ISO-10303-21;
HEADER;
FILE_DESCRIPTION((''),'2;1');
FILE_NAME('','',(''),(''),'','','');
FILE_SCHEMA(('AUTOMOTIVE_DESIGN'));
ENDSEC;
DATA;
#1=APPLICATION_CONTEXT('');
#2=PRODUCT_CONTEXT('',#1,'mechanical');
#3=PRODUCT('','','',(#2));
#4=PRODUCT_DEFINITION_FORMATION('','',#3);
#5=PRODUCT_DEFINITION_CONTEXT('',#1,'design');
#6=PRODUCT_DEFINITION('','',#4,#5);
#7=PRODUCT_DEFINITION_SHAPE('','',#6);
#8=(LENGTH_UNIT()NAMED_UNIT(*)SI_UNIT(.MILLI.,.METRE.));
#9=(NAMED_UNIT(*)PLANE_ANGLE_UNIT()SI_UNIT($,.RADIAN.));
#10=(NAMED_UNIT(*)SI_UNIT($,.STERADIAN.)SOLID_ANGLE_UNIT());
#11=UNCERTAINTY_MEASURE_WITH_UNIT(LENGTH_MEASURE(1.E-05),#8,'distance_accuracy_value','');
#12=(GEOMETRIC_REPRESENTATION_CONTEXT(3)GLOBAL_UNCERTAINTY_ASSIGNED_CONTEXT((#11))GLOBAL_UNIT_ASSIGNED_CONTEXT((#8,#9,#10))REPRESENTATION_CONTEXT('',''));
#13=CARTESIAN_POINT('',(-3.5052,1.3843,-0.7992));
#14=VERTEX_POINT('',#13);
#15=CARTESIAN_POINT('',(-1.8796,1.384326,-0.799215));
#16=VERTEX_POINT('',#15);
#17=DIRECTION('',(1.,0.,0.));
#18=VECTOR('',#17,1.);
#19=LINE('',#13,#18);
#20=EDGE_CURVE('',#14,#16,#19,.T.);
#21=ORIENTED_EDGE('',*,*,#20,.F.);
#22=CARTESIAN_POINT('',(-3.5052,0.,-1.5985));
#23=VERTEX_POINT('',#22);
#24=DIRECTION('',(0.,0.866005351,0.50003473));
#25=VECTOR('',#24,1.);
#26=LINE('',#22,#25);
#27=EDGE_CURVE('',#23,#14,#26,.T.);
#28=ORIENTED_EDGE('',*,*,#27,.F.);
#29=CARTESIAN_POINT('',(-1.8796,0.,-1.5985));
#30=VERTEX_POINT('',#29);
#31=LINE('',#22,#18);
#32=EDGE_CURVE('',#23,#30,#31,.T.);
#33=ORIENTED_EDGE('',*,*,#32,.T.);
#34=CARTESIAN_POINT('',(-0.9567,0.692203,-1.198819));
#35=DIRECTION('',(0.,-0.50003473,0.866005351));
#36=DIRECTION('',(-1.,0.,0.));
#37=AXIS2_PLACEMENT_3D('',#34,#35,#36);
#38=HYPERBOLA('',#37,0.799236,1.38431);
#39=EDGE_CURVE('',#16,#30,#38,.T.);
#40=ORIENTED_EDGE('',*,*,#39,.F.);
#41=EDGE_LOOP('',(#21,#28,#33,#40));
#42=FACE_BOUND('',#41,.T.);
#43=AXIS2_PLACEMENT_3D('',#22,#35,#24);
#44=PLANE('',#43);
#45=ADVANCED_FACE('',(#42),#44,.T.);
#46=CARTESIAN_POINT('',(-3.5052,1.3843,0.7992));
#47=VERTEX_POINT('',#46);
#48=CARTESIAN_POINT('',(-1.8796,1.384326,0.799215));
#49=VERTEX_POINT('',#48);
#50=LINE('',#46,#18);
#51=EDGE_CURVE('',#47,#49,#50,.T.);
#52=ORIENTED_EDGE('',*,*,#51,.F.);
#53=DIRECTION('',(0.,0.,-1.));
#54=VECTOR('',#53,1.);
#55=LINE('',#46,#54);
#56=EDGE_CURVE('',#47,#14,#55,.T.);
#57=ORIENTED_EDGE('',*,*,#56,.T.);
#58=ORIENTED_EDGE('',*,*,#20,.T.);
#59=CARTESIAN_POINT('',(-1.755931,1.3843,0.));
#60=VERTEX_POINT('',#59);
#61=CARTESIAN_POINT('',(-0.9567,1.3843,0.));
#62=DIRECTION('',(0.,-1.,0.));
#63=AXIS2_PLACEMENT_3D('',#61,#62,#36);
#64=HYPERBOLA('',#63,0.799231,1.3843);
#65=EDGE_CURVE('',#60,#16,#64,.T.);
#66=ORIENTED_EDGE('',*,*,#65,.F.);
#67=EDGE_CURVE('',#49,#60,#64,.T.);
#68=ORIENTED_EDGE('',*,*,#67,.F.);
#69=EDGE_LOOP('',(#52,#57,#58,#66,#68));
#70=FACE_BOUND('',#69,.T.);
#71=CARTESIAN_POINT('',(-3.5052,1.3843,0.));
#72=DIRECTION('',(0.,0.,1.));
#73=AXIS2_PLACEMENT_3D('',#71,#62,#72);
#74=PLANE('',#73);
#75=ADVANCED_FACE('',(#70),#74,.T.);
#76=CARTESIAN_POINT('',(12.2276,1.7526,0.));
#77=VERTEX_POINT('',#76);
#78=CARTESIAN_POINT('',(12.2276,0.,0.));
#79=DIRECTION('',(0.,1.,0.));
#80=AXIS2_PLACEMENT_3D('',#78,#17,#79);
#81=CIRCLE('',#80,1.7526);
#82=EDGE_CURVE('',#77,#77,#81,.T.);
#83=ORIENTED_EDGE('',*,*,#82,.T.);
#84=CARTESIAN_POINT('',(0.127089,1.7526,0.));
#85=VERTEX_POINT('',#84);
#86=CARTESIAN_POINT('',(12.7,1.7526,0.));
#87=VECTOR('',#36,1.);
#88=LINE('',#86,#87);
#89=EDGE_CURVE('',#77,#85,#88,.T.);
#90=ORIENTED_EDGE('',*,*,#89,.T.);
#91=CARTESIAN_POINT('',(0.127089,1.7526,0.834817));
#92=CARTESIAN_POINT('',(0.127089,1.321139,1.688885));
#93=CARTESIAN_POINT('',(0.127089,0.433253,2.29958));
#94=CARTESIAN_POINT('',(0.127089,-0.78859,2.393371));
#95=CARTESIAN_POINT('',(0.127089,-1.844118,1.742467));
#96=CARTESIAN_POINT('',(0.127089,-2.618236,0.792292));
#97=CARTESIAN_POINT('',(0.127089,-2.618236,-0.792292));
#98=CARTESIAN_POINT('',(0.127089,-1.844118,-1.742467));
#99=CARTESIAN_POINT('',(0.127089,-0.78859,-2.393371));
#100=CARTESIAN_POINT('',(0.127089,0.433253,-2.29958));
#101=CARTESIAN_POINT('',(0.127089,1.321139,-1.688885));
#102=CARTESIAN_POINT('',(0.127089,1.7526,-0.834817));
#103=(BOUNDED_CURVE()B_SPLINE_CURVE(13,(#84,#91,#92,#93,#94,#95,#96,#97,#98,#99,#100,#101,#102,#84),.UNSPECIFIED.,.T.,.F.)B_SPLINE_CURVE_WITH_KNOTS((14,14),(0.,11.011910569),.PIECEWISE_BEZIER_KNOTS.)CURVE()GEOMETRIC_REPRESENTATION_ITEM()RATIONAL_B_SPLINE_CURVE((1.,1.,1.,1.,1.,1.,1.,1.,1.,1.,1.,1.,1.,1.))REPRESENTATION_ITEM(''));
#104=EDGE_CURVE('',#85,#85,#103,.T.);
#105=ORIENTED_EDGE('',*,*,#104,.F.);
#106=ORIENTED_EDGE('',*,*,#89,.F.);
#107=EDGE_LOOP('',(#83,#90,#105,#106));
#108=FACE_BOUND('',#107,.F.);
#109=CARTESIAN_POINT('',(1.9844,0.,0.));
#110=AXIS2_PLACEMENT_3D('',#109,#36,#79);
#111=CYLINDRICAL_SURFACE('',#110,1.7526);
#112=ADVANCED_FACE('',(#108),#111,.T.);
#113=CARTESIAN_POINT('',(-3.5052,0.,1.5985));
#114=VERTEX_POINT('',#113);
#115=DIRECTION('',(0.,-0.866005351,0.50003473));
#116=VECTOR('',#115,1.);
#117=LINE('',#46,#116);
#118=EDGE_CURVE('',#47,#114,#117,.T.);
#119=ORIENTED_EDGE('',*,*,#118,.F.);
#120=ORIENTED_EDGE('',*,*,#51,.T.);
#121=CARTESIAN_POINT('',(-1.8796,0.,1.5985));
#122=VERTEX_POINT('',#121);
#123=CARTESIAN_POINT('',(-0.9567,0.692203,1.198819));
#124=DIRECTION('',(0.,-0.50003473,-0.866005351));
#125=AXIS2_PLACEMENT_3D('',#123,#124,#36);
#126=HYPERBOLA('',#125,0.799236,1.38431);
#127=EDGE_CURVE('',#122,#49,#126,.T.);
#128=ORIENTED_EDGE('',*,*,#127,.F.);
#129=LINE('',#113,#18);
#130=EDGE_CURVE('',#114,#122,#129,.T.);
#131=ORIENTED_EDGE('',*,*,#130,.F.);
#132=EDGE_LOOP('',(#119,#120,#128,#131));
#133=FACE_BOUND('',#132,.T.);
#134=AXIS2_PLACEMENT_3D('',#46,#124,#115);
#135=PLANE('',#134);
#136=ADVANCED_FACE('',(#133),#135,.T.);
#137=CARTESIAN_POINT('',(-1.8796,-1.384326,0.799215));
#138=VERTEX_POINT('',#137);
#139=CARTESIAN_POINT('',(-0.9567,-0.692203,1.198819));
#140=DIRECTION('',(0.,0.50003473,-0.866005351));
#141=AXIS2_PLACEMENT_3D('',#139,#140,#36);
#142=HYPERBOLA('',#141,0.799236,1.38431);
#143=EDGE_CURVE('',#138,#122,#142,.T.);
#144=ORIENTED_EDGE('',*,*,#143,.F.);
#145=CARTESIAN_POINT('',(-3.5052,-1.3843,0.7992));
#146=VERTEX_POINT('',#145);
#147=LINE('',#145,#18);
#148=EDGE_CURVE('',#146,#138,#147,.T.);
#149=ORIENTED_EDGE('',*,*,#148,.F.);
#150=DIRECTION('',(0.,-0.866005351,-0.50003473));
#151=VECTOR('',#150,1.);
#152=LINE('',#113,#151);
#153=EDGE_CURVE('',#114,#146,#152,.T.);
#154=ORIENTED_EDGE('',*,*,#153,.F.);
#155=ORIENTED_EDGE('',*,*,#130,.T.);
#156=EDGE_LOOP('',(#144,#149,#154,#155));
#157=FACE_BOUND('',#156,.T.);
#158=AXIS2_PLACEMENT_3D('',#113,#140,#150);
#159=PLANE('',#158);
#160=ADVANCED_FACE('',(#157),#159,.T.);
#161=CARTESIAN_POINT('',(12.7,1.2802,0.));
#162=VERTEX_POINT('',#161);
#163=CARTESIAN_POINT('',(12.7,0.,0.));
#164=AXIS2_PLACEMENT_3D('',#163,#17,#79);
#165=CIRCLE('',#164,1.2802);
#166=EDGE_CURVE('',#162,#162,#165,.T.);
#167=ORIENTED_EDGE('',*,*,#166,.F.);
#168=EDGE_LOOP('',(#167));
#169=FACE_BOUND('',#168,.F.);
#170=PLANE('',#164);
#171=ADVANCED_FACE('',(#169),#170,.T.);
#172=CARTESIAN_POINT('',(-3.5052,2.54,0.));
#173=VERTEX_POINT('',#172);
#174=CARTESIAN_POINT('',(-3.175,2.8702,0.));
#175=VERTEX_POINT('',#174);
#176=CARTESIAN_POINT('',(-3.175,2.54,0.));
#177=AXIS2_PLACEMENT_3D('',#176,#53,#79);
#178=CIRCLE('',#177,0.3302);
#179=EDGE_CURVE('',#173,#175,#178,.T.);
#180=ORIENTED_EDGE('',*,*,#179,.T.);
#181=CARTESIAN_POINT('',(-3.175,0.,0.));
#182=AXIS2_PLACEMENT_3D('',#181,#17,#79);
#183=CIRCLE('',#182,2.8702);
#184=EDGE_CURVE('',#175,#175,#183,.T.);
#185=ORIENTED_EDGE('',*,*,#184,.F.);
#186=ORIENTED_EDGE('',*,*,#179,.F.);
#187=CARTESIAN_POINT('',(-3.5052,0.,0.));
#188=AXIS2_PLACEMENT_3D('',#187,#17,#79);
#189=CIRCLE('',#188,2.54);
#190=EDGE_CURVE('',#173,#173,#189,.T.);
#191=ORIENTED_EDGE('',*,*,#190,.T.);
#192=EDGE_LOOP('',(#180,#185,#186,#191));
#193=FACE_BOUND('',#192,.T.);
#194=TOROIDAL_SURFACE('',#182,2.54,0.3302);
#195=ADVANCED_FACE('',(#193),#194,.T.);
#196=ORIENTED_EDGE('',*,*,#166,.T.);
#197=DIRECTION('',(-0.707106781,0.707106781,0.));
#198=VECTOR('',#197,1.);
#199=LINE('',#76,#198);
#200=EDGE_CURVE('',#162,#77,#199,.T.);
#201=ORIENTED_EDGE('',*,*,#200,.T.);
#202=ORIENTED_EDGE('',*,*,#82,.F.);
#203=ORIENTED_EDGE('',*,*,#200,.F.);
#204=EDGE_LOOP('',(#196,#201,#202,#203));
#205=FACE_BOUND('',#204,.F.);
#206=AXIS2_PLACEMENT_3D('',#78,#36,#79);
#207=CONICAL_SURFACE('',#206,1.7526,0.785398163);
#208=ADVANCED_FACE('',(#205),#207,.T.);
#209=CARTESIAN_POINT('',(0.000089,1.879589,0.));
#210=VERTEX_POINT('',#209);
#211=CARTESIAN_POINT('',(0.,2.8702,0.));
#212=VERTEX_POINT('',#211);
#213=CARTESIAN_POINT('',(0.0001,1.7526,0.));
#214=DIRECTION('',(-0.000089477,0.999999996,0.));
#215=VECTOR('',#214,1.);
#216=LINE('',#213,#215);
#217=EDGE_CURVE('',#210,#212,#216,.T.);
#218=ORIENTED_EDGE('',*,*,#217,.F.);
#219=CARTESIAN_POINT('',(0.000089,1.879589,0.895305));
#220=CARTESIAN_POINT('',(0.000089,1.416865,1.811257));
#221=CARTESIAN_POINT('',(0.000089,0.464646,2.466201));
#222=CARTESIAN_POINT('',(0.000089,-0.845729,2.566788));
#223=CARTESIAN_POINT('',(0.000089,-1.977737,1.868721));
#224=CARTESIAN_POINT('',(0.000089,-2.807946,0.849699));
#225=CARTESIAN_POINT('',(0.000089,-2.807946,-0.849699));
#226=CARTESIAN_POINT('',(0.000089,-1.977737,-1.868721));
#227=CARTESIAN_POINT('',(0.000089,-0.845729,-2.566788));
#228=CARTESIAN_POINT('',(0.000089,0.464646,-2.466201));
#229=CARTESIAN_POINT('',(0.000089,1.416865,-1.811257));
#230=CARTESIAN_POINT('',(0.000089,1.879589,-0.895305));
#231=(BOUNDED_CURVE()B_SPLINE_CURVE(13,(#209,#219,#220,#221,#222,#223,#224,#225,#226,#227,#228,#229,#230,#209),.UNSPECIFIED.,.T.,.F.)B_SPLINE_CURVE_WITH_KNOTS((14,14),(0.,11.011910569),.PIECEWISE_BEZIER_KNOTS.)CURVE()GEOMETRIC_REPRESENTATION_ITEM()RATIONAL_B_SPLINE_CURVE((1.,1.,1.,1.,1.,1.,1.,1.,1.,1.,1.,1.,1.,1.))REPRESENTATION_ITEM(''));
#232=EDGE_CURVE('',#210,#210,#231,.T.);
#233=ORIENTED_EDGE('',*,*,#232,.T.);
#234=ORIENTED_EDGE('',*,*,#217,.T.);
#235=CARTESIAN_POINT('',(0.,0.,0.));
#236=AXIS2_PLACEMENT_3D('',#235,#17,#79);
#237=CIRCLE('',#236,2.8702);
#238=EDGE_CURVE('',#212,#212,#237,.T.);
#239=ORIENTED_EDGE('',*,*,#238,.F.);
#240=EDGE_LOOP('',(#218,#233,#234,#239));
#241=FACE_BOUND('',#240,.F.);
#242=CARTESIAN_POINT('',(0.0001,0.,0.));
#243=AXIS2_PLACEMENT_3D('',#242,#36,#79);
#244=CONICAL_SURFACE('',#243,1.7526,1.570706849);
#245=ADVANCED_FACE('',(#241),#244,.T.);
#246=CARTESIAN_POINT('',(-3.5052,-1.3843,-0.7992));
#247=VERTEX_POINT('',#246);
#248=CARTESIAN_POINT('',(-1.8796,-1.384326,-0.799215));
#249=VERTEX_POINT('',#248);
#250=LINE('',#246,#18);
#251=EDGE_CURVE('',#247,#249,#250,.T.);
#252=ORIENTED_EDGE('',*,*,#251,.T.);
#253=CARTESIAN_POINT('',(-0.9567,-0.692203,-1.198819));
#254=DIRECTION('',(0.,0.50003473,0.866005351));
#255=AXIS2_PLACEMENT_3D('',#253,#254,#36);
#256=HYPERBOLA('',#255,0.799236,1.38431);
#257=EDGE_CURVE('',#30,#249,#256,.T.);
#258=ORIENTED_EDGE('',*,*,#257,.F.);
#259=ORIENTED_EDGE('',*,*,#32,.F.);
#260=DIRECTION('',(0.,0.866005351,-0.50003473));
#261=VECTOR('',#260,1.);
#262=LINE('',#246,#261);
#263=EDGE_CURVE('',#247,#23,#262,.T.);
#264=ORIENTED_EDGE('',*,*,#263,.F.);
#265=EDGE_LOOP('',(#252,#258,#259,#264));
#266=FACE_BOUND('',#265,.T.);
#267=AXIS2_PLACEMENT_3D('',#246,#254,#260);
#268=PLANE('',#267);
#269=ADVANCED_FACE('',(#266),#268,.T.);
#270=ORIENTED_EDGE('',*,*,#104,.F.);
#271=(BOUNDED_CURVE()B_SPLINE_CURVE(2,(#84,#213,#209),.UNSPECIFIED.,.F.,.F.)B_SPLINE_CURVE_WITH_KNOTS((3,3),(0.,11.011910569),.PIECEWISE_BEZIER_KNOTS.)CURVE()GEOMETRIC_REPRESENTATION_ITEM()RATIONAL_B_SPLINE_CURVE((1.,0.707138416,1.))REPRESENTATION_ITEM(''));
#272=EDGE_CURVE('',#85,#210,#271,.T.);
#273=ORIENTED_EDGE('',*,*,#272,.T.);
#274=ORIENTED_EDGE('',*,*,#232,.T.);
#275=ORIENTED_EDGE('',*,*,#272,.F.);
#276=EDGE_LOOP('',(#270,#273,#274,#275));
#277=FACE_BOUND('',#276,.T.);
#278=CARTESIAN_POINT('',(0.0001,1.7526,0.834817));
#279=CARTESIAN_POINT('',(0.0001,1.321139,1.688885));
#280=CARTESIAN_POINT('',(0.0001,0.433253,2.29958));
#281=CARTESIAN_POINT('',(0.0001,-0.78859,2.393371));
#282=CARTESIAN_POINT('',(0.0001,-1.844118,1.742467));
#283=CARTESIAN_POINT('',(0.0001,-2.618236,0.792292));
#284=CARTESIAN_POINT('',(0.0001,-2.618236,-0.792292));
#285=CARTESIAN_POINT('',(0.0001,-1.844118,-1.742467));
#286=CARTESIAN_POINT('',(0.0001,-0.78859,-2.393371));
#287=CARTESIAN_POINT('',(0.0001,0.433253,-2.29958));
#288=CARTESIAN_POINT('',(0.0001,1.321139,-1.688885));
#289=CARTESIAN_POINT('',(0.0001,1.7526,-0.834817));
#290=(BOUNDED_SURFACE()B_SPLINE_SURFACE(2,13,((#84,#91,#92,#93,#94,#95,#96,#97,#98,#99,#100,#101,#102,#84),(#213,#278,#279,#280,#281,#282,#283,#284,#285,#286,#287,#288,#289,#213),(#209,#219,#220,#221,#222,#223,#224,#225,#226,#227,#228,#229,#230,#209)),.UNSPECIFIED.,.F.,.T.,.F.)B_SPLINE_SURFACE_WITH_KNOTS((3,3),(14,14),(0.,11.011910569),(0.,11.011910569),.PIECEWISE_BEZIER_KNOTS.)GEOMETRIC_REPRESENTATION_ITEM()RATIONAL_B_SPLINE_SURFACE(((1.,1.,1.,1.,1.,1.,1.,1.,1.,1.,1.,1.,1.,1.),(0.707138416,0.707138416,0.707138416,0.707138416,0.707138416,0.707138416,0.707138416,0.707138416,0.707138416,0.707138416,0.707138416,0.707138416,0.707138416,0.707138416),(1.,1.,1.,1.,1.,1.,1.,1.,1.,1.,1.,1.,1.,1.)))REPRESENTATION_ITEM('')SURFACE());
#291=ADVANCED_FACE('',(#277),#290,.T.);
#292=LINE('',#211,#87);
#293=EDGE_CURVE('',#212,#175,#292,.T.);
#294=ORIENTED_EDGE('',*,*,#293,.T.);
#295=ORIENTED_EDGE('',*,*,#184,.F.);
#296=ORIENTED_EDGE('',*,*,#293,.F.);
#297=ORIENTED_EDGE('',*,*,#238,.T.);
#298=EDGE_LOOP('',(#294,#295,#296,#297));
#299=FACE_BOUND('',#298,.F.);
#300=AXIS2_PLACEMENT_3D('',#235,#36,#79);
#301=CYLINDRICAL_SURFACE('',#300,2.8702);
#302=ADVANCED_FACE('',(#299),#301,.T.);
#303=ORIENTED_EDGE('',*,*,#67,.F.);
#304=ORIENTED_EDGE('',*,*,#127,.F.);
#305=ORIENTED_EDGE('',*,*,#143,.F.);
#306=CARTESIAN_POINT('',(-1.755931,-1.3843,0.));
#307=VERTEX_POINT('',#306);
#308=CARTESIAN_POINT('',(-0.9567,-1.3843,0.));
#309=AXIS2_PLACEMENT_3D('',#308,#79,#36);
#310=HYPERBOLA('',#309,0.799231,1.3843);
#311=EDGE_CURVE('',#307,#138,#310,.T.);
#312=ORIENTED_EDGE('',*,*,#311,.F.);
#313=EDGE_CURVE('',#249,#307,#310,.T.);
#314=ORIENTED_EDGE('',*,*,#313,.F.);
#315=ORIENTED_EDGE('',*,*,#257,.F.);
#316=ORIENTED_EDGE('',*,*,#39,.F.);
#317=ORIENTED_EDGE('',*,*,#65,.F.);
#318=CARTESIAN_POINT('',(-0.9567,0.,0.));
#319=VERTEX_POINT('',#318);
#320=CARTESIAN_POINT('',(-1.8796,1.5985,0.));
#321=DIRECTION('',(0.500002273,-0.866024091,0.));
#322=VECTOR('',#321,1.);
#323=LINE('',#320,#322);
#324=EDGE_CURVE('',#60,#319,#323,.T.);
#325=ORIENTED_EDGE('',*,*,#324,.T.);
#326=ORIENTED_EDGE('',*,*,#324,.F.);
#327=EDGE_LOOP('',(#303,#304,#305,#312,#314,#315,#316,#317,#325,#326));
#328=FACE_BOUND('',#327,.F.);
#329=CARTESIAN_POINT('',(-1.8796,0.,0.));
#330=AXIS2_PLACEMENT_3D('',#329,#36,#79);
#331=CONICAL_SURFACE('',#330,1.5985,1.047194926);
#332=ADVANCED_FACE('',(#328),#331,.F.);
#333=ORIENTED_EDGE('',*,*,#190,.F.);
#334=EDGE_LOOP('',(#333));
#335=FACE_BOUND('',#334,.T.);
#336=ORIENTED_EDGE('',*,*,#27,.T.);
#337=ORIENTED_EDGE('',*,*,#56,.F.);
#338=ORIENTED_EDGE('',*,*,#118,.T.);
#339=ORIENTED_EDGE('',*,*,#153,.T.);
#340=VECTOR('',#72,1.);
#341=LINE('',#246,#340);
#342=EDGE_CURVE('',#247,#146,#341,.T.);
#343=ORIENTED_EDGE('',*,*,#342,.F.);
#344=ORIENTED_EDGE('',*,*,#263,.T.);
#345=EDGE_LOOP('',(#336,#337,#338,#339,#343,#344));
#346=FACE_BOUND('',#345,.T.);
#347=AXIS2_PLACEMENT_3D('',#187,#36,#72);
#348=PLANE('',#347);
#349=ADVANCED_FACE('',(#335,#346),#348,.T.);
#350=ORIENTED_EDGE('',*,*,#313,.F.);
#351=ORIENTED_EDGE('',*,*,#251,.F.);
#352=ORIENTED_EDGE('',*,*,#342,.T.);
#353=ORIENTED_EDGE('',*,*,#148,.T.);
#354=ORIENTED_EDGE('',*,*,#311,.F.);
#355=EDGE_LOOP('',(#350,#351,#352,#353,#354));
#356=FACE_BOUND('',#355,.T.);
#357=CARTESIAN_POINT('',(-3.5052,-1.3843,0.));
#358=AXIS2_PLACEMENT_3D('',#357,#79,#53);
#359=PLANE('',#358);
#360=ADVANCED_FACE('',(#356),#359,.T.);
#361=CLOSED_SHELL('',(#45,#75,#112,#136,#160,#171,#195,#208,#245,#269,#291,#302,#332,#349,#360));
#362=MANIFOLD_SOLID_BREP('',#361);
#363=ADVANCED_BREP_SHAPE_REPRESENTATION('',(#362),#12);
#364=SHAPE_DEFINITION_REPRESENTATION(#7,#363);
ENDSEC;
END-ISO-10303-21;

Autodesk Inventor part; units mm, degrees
ref_plane "YZ Plane" through (0, 0, 0) normal (1, 0, 0) x (0, 1, 0)
ref_plane "XZ Plane" through (0, 0, 0) normal (0, 1, 0) x (-1, 0, 0)
sketch "Sketch1" plane through (0, 0, 0) normal (0, 0, 1) x (1, 0, 0)
  line L0 (-0.9567, 0) -> (12.7, 0)
  line L1 (12.7, 0) -> (12.7, 1.7526)
  line L2 (12.7, 1.7526) -> (1.9844, 1.7526)
  line L3 (1.9844, 1.7526) -> (0.0001, 1.7526)
  line L4 (0.0001, 1.7526) -> (0, 1.7526)
  line L5 (0, 1.7526) -> (0, 2.8702)
  line L6 (0, 2.8702) -> (-3.5052, 2.8702)
  line L7 (-3.5052, 2.8702) -> (-3.5052, 1.5985)
  line L8 (-3.5052, 1.5985) -> (-1.8796, 1.5985)
  line L9 (-1.8796, 1.5985) -> (-0.9567, 0)
  line L10 (-6.7462, 0) -> (15.941, 0) projected
  line L11 (0, -0.574) -> (0, 3.4442) projected
  line L12 (1.9844, 1.7526) -> (0, 1.7526) construction
  dimension "d1" = 10.7156
  dimension "d2" = 1.9844
  dimension "d3" = 3.5052
  dimension "d4" = 1.6256
  dimension "d5" = 60
  dimension "d6" = 3.5052
  dimension "d7" = 3.5052
  dimension "d8" = 3.1969
  dimension "d9" = 5.7404
  dimension "d26" = 12.7
revolve "Body" add sketch "Sketch1" angle 360 about axis through (-0.9567, 0, 0) along (1, 0, 0)
sketch "Sketch2" plane through (-3.5052, 0, 0) normal (-1, 0, 0) x (0, 0, 1)
  circle A0 centre (0, 0) radius 1.5985 projected
  line L0 (0, -4.0183) -> (0, 4.0183) projected
  line L1 (-4.0183, 0) -> (4.0183, 0) projected
  line L2 (1.5985, 0) -> (0.7992, -1.3843)
  line L3 (0.7992, -1.3843) -> (-0.7992, -1.3843)
  line L4 (-0.7992, -1.3843) -> (-1.5985, 0)
  line L5 (-1.5985, 0) -> (-0.7992, 1.3843)
  line L6 (-0.7992, 1.3843) -> (0.7992, 1.3843)
  line L7 (0.7992, 1.3843) -> (1.5985, 0)
extrude "Slot" add sketch "Sketch2" against normal up to next contours L7 A0 | A0 L2 | L6 L0 A0 | A0 L0 L3 | L0 L6 A0 | A0 L3 L0 | L4 A0 | A0 L5
fillet "Fillet1" radius 0.3302 1 edges at (-3.5052, -2.8702, 0)
thread "Thread" size "6-32 UNC" class "2A" standard "ANSI Unified Screw Threads" length 10.7156
chamfer "Chamfer1" distance 0.4724 distance2 0.4724 1 edges at (12.7, -1.7526, 0) measured on face at (12.7, 0.5173, 0.2715)
ref_plane "Work Plane1" through (29, 0, 0) normal (0, -1, 0) x (1, 0, 0)
fillet "Fillet2" radius 0.127 1 edges at (0.0001, -1.7526, 0)
equation "\"d1\" = GEL"
equation "\"d3\" = KOH"
equation "\"d4\" = INTI"
equation "\"d6\" = GD"
equation "\"d7\" = BDM"
equation "\"d8\" = 1.1547 * SW"
equation "\"d9\" = KOD"
equation "\"d26\" = NLG"
equation "\"d30\" = R"
equation "\"d17\" = RR"
equation "\"d13\" = GEL"
equation "\"d15\" = -0.5 * SPD + 0.5 * GD"
equation "\"d16\" = GUL"
equation "\"GD\" = 3.5052"
equation "\"NLG\" = 12.7"
equation "\"GEL\" = 10.71555"
equation "\"KOD\" = 5.7404"
equation "\"KOH\" = 3.5052"
equation "\"INTI\" = 1.6256"
equation "\"GAL\" = 1.98425"
equation "\"GUL\" = 0.47244"
equation "\"BDM\" = 3.5052"
equation "\"SW\" = 2.7686"
equation "\"RR\" = 0.3302"
equation "\"SPD\" = 2.56032"
equation "\"R\" = 0.127"
equation "\"PHH\" = 0.127"
equation "\"GD1\" = SPD"
equation "\"THREADDIA\" = 3.5052"
equation "\"FAWI\" = 45deg"
equation "\"KOH1\" = 3.1496"
equation "\"NND\" = 3.5052"
equation "\"TOA\" = 30deg"
equation "\"E0\" = 1.155 * SW"
properties part number "ANSI B18.3 - No. 6 - 32 UNC - 1/2 HS HCS" material "Steel, Mild"
